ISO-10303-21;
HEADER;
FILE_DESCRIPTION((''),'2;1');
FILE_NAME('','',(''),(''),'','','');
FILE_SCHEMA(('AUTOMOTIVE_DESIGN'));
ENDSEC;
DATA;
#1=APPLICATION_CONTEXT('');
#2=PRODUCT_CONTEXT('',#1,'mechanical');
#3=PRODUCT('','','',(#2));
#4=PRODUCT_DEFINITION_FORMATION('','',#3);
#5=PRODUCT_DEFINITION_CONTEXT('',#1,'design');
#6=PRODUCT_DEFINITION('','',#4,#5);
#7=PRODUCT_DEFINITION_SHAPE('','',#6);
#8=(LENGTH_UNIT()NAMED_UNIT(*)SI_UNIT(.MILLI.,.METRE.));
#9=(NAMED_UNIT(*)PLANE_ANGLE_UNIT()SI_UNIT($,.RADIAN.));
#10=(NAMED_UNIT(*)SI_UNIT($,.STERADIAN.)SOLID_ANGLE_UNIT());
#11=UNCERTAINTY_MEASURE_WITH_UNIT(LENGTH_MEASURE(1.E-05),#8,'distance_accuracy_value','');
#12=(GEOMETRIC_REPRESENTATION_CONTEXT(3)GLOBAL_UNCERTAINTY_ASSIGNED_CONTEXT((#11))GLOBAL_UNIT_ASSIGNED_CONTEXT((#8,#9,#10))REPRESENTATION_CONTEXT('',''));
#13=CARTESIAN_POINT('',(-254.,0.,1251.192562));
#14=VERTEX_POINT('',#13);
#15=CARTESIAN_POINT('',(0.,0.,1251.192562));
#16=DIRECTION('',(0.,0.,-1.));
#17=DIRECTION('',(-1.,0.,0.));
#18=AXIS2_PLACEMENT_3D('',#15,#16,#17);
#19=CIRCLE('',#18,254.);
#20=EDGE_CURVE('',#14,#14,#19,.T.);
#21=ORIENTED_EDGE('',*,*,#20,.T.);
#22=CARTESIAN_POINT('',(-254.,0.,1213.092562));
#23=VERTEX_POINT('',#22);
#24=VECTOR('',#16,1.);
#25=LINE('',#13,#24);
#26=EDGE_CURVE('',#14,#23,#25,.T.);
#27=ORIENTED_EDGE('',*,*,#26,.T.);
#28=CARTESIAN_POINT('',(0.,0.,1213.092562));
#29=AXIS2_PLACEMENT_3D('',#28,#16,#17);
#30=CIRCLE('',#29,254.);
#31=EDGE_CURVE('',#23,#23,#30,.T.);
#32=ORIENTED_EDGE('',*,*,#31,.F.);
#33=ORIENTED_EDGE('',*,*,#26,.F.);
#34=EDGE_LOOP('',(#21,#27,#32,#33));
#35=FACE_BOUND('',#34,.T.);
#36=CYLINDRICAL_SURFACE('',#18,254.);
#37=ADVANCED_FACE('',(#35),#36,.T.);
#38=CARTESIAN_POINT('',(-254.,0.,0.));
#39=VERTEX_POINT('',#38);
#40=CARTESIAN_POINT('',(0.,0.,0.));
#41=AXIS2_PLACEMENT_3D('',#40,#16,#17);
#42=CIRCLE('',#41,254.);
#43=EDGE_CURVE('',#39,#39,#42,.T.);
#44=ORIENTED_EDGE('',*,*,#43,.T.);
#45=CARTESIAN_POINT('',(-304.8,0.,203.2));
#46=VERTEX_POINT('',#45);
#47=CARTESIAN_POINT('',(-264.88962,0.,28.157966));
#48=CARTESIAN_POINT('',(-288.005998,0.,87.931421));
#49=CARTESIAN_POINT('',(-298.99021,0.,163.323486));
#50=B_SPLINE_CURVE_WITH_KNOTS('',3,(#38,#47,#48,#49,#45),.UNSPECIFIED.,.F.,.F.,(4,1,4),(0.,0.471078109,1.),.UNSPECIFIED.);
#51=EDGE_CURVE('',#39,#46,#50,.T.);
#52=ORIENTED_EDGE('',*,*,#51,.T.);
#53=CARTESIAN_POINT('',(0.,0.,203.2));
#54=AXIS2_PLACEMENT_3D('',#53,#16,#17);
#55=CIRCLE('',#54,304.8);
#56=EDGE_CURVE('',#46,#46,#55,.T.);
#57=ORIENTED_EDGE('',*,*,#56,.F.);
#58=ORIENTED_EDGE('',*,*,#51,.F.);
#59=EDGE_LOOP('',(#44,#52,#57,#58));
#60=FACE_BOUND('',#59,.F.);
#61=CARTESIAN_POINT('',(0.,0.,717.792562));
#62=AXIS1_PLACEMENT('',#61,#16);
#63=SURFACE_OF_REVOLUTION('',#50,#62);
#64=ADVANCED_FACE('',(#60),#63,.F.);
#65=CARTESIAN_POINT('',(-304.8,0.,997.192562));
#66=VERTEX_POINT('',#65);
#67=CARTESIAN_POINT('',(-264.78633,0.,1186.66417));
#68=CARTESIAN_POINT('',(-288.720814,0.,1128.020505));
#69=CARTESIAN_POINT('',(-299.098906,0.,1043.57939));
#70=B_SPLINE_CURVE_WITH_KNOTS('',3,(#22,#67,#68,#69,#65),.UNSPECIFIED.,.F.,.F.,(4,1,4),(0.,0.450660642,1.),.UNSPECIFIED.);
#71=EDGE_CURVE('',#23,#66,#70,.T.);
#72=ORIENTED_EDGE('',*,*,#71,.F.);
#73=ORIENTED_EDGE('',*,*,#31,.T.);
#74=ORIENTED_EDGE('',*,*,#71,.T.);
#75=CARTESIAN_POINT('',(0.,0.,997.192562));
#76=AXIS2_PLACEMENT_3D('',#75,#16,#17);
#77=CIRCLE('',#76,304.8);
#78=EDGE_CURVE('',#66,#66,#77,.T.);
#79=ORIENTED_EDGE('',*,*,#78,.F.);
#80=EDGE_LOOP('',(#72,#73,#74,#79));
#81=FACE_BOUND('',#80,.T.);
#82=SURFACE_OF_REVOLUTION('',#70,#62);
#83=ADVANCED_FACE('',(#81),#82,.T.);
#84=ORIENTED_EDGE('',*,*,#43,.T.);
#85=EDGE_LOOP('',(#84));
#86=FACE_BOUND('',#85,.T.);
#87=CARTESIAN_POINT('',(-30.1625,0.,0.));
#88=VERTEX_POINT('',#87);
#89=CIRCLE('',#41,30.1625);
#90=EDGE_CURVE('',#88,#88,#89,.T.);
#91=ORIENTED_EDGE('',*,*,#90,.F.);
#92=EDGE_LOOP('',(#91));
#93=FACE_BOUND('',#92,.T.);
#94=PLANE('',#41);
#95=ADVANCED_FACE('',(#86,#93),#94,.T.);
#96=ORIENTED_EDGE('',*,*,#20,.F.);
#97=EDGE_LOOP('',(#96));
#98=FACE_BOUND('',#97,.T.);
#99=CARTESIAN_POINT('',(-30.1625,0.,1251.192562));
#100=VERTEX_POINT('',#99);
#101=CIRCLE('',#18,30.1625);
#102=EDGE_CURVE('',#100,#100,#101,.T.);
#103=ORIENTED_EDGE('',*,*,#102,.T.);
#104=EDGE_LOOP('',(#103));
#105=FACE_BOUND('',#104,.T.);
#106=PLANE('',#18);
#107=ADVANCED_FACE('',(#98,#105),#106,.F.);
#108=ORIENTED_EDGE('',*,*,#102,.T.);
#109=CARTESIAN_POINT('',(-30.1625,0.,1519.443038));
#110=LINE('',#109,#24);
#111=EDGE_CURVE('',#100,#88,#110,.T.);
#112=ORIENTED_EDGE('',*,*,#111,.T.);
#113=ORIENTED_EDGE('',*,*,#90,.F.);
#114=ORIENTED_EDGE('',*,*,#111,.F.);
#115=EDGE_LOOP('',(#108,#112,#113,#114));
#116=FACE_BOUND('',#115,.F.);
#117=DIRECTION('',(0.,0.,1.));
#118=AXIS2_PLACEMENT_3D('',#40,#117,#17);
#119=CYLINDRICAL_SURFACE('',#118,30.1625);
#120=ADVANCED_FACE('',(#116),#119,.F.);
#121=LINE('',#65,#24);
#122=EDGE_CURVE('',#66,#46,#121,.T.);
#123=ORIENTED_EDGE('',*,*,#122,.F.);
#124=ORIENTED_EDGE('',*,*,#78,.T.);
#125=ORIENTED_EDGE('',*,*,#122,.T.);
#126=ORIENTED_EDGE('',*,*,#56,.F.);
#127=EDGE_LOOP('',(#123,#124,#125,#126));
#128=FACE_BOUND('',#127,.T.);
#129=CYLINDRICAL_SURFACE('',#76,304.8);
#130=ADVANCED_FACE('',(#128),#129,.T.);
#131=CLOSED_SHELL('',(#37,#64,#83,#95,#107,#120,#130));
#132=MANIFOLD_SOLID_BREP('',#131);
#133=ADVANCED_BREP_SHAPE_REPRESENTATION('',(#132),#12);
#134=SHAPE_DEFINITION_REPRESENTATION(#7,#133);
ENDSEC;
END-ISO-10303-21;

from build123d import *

# Parameters (mm, degrees)
F3_D           = 60.325
F3_CBORE_D     = 60.325
F3_CBORE_DEPTH = 4.826


with BuildPart() as f1:
    # F0 (on Front) → F1 (revolve)
    with BuildSketch(Plane.XZ):
        with BuildLine():
            Line((0, 184.3925616264), (0, 1251.1925616264))
            Line((0, 1251.1925616264), (-254, 1251.1925616264))
            Line((-254, 1251.1925616264), (-254, 1213.0925616264))
            add(Edge.make_bspline(
                [(-254, 1213.0925616264), (-264.7863300499, 1186.664170065), (-288.7208143023, 1128.0205054709), (-299.0989058542, 1043.5793898388), (-304.8, 997.1925616264)],
                knots=[0, 0, 0, 0, 0.4506606424, 1, 1, 1, 1], degree=3))
            Line((-304.8, 997.1925616264), (-304.8, 203.2))
            add(Edge.make_bspline(
                [(-254, 0), (-264.8896198837, 28.1579660638), (-288.0059983927, 87.9314208331), (-298.9902100194, 163.3234862316), (-304.8, 203.2)],
                knots=[0, 0, 0, 0, 0.4710781094, 1, 1, 1, 1], degree=3))
            Line((-254, 0), (0, 0))
            Line((0, 0), (0, 184.3925616264))
        make_face()
    revolve(axis=Axis((0, 0, 717.7925616264), (0, 0, -1)))

    # F3 (through all)
    with Locations(Plane(origin=(0, 0, 0), x_dir=(1, 0, 0), z_dir=(0, 0, -1))):
        with Locations((0, 0)):
            CounterBoreHole(F3_D / 2, F3_CBORE_D / 2, F3_CBORE_DEPTH)


solid = f1.part
